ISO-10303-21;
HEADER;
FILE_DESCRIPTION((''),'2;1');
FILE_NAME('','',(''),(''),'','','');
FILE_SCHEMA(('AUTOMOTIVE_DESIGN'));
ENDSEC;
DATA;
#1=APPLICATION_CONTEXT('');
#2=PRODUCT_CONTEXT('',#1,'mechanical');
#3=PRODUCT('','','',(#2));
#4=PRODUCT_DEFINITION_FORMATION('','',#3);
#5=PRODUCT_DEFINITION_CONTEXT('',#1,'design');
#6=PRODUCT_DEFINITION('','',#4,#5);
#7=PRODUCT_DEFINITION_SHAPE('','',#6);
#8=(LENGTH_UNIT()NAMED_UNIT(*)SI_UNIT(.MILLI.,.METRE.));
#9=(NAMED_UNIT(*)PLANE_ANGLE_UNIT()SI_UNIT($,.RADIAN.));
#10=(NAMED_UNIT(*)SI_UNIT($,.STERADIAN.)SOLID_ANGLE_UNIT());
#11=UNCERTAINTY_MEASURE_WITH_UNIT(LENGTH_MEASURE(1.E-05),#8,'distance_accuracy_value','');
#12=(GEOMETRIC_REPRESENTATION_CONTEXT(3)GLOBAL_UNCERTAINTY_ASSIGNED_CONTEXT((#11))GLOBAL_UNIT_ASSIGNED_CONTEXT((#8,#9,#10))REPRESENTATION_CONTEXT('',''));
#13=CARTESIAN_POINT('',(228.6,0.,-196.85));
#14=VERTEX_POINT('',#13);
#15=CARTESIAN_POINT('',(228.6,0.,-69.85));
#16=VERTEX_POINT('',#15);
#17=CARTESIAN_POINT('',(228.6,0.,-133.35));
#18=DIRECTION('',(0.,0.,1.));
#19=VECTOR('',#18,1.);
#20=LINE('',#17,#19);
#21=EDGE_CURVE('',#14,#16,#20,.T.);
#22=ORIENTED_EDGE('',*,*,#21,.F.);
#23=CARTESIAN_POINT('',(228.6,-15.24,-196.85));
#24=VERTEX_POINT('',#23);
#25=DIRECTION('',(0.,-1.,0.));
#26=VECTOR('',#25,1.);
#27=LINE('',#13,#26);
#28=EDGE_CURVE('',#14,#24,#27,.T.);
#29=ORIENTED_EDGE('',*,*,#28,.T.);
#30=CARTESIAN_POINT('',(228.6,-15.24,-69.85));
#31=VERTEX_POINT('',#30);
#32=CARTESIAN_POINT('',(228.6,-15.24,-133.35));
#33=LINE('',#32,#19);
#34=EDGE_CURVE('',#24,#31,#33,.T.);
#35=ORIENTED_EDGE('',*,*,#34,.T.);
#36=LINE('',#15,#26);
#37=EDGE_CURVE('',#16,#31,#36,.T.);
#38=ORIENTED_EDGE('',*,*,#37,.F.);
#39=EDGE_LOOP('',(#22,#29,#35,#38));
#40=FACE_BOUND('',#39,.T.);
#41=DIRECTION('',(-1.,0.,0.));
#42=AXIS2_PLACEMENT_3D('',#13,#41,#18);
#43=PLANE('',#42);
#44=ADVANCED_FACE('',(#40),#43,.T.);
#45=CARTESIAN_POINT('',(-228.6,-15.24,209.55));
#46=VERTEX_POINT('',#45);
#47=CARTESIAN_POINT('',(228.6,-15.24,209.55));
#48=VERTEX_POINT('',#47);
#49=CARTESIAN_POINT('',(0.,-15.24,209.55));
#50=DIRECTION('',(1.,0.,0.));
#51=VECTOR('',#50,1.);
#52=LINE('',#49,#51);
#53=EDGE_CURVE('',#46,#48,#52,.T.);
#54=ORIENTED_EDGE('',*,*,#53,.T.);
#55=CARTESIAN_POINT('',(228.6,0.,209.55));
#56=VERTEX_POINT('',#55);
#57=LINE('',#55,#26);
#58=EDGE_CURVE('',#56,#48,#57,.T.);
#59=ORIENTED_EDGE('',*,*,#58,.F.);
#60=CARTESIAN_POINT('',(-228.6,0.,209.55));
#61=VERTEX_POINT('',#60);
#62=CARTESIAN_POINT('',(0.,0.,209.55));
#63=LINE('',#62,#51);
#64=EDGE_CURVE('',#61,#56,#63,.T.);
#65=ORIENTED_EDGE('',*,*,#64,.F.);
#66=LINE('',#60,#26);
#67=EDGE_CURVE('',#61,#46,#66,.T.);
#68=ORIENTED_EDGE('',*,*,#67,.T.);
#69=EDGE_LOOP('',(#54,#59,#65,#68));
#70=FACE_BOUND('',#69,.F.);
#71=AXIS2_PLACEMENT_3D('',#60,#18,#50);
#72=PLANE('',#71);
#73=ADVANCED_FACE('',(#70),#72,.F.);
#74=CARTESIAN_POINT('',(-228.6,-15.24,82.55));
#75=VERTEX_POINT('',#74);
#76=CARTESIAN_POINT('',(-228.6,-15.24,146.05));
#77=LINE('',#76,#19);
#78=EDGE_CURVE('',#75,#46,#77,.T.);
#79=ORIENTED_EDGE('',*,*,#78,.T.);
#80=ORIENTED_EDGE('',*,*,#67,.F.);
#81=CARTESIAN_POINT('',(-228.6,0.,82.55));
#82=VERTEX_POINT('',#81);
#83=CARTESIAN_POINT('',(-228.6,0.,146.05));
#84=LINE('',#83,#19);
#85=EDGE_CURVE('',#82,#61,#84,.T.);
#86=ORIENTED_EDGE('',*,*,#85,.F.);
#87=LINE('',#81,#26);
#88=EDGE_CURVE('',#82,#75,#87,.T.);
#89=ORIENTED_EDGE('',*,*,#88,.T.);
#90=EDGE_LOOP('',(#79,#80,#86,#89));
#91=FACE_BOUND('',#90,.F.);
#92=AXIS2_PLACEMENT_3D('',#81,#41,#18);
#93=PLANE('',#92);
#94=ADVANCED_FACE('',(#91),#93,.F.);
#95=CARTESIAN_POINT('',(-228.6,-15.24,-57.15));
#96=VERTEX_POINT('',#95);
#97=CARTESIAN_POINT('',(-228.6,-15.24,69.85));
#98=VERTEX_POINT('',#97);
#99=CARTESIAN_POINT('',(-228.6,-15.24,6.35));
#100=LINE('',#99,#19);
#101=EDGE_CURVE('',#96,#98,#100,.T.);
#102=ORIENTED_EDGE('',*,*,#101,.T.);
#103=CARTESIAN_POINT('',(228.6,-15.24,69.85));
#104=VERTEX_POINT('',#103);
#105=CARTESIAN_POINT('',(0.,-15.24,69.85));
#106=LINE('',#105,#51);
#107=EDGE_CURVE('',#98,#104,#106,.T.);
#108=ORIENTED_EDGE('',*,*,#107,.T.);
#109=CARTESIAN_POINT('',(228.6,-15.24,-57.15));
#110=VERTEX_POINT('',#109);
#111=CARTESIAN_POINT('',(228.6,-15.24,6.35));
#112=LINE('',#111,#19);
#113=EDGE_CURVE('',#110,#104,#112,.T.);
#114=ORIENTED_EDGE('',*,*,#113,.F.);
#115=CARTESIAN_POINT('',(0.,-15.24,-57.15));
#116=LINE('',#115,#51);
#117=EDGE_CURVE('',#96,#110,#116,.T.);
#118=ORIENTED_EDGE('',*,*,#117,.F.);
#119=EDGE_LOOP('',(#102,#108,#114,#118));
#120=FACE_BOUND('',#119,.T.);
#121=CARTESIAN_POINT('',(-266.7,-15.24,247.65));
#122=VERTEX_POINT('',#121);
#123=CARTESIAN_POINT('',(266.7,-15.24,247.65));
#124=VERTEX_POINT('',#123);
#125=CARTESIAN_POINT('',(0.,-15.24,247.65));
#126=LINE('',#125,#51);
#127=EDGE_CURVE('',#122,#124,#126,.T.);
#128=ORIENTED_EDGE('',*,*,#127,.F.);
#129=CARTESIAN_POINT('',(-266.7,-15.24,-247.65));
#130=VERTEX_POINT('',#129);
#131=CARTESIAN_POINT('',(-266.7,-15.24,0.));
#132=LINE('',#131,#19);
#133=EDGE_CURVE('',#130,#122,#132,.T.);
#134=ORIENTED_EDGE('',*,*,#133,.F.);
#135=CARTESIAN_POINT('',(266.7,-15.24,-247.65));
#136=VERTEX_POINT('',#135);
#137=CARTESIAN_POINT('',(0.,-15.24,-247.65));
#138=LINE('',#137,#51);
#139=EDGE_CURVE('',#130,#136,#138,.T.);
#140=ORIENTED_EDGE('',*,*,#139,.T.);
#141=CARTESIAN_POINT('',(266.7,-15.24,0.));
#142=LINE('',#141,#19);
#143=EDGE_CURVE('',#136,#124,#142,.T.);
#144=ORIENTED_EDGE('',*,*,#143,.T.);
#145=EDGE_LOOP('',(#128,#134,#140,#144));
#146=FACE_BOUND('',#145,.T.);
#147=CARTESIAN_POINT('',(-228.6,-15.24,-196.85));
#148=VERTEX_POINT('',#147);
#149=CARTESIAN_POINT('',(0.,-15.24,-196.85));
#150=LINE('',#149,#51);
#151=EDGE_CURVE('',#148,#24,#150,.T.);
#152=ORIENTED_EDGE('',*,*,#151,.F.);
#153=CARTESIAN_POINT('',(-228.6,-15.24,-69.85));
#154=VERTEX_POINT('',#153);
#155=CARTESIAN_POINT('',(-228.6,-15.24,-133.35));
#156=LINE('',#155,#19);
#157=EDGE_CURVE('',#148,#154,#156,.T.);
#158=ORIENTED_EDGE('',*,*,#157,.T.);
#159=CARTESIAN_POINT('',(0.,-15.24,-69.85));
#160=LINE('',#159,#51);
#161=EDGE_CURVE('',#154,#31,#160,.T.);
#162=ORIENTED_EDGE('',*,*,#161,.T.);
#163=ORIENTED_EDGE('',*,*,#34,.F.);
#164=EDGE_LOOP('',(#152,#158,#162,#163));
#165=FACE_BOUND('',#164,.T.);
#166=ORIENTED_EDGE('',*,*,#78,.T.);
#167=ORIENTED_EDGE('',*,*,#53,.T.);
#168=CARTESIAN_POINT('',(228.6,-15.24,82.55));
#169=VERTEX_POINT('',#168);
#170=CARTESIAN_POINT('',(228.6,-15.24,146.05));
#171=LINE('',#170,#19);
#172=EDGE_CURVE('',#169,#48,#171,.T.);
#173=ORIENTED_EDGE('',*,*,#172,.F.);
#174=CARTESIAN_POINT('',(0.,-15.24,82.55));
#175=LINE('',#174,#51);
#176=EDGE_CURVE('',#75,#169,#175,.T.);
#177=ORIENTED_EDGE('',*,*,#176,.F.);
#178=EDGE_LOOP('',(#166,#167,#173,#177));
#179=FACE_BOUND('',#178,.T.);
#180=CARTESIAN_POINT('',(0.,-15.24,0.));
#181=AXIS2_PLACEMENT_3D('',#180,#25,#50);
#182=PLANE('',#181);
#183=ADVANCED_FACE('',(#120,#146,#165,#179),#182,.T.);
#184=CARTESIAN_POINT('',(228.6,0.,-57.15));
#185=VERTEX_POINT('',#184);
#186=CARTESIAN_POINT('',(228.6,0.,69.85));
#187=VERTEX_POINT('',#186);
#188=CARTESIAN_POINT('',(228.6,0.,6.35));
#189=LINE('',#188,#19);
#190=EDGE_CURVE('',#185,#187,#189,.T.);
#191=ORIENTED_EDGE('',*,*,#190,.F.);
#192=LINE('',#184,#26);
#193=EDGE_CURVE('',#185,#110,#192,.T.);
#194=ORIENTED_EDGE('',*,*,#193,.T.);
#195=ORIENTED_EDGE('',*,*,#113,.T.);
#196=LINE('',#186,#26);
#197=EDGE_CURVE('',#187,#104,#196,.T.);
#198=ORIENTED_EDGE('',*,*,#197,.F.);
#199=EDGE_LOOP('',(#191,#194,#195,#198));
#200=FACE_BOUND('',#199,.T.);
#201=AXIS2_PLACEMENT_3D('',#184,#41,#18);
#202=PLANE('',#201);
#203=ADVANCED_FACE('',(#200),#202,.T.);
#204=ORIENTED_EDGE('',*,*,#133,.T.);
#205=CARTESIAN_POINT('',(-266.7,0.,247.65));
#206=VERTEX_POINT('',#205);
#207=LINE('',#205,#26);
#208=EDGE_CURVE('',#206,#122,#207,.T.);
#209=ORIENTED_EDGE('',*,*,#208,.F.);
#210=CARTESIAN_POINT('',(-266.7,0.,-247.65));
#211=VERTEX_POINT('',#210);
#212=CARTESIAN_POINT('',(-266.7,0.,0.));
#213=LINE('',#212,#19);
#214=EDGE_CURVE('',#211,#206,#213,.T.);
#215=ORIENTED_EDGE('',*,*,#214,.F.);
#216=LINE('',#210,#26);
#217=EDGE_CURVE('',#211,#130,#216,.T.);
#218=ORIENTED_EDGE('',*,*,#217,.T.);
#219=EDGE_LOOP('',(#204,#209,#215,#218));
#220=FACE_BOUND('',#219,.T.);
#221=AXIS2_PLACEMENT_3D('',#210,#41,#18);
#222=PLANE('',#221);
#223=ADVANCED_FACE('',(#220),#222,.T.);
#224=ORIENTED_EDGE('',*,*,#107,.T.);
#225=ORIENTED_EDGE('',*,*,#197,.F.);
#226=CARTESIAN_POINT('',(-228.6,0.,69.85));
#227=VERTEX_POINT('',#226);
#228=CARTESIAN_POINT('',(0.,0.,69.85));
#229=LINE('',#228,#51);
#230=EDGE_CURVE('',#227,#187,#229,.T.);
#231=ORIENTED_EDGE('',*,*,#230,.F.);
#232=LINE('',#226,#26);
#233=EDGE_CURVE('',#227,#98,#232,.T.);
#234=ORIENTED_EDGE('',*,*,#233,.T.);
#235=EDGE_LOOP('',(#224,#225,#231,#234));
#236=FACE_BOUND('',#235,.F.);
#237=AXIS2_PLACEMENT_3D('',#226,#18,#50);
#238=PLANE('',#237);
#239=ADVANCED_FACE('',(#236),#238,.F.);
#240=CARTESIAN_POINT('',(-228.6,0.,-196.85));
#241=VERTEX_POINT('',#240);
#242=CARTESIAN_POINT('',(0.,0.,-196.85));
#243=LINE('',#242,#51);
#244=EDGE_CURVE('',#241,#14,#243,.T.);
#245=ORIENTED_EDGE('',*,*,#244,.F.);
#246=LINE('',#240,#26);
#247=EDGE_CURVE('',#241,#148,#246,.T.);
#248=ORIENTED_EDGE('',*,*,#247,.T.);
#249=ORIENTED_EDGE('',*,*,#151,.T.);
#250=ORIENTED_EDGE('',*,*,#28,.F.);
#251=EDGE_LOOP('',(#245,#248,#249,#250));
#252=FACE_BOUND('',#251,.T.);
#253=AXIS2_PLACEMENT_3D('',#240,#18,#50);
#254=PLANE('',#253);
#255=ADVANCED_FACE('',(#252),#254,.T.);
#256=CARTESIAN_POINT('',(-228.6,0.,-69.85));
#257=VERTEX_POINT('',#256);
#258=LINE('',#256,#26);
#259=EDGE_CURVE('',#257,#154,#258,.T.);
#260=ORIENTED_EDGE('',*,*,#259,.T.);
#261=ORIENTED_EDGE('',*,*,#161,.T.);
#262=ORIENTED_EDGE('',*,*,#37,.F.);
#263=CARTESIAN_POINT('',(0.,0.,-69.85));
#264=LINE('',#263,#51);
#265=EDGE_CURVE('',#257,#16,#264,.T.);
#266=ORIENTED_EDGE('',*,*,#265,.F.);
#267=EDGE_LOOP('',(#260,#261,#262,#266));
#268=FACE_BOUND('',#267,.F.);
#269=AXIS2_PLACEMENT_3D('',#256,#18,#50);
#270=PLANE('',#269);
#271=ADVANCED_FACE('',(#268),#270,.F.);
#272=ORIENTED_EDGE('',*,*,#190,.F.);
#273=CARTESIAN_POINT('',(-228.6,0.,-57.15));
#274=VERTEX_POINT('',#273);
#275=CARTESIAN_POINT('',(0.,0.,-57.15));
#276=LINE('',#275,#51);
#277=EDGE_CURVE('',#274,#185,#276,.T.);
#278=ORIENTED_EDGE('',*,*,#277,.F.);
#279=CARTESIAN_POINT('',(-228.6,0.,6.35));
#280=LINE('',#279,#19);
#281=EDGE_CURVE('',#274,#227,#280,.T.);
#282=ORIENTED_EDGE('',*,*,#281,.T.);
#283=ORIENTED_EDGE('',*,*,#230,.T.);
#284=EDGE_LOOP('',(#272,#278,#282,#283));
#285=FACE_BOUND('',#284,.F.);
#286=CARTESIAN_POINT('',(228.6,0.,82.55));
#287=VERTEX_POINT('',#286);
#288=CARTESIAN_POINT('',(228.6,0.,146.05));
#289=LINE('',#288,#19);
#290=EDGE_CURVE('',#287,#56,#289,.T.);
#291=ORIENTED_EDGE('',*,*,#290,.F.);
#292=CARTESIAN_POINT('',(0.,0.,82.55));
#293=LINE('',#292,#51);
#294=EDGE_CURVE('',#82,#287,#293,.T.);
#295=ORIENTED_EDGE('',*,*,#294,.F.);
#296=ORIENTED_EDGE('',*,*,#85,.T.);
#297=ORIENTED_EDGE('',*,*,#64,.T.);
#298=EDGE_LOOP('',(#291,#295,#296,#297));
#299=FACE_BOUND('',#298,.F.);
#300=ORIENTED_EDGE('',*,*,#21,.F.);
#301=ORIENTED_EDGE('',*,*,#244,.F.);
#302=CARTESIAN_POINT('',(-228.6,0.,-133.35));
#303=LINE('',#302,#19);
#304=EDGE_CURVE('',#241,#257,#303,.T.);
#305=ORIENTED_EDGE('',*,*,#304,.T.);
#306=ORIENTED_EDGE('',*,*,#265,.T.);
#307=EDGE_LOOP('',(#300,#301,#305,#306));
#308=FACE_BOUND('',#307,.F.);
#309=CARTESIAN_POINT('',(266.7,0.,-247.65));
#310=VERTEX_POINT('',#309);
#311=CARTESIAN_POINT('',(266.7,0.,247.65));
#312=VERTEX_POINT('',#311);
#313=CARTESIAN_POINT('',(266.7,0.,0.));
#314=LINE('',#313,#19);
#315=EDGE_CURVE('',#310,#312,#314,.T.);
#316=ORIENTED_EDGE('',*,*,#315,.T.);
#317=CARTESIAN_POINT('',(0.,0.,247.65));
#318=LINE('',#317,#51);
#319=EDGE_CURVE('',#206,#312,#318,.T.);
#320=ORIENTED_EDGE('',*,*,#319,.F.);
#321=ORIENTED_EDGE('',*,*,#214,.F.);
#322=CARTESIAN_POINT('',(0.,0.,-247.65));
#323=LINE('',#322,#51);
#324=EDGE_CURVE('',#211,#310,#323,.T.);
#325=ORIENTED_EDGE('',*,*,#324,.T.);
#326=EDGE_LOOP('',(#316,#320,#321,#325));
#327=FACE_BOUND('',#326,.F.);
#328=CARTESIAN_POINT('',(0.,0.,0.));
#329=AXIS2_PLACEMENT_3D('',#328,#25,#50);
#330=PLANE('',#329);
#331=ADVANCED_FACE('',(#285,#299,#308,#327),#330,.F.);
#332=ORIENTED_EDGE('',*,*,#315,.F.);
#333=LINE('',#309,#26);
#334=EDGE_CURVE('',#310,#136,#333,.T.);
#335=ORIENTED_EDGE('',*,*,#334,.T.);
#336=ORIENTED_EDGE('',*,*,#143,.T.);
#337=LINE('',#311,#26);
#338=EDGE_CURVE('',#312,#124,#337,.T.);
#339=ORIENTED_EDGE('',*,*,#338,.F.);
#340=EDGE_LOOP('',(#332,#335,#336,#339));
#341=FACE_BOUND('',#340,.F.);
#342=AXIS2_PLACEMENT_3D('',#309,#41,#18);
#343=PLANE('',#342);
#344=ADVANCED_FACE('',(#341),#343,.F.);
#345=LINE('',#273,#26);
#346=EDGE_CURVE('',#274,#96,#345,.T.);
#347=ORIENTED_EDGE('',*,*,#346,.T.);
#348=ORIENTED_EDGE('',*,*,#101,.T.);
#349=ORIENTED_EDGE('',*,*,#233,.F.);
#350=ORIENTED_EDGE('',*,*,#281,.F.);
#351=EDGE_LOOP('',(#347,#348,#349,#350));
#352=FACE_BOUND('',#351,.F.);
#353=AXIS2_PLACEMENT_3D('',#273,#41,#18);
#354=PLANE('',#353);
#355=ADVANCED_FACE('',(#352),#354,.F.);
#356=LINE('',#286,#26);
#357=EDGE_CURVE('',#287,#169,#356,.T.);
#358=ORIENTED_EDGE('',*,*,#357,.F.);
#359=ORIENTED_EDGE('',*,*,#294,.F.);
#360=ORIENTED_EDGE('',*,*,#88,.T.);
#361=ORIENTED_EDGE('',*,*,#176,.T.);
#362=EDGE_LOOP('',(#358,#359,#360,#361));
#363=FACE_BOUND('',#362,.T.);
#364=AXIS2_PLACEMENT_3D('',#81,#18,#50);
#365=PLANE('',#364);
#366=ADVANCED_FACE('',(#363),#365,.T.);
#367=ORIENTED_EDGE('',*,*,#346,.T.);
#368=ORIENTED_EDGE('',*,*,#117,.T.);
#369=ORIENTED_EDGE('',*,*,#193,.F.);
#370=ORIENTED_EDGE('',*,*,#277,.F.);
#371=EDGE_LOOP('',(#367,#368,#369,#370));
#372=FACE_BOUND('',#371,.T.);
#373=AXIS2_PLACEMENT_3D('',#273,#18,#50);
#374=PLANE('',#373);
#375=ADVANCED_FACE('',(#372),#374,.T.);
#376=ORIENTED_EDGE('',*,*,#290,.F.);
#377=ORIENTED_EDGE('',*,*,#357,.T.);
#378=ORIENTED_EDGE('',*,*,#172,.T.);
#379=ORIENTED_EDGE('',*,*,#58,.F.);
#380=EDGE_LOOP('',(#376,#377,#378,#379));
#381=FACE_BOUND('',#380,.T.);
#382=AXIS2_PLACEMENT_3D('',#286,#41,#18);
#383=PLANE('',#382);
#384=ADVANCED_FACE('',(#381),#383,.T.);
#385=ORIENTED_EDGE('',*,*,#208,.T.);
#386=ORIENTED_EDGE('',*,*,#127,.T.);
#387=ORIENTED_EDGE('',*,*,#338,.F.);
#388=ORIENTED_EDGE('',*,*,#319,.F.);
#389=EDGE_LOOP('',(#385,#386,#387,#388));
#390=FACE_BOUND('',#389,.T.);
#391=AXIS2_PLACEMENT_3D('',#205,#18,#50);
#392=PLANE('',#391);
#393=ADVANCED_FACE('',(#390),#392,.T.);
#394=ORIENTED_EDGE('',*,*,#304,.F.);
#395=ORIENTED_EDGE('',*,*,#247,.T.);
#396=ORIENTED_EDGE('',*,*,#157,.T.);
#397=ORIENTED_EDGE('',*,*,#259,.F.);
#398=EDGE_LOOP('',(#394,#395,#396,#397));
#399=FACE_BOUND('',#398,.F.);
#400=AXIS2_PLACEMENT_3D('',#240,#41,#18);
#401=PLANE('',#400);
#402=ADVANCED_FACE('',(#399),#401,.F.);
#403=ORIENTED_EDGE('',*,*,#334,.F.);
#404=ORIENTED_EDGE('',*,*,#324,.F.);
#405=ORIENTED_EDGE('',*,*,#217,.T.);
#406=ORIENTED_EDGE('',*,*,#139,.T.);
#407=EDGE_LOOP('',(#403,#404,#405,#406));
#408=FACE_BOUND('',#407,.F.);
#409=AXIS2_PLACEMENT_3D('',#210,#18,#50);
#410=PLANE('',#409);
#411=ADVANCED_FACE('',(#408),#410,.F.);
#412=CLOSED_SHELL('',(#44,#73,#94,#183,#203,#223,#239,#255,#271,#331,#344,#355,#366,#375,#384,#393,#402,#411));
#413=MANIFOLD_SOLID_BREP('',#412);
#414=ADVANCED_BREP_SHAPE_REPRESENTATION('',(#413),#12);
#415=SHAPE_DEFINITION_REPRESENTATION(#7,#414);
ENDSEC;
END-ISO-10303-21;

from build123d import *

# Parameters (mm, degrees)
F0_W     = 533.4
F0_H     = 495.3
F0_W_2   = 457.2
F0_H_2   = 127
F1_DEPTH = 15.24


with BuildPart() as f1:
    # F0 (on Front) → F1 (new body)
    with BuildSketch(Plane.XZ):
        Rectangle(F0_W, F0_H)
        with Locations((0, -133.35)):
            Rectangle(F0_W_2, F0_H_2, mode=Mode.SUBTRACT)
        with Locations((0, 6.35)):
            Rectangle(F0_W_2, F0_H_2, mode=Mode.SUBTRACT)
        with Locations((0, 146.05)):
            Rectangle(F0_W_2, F0_H_2, mode=Mode.SUBTRACT)
    extrude(amount=F1_DEPTH)


solid = f1.part
